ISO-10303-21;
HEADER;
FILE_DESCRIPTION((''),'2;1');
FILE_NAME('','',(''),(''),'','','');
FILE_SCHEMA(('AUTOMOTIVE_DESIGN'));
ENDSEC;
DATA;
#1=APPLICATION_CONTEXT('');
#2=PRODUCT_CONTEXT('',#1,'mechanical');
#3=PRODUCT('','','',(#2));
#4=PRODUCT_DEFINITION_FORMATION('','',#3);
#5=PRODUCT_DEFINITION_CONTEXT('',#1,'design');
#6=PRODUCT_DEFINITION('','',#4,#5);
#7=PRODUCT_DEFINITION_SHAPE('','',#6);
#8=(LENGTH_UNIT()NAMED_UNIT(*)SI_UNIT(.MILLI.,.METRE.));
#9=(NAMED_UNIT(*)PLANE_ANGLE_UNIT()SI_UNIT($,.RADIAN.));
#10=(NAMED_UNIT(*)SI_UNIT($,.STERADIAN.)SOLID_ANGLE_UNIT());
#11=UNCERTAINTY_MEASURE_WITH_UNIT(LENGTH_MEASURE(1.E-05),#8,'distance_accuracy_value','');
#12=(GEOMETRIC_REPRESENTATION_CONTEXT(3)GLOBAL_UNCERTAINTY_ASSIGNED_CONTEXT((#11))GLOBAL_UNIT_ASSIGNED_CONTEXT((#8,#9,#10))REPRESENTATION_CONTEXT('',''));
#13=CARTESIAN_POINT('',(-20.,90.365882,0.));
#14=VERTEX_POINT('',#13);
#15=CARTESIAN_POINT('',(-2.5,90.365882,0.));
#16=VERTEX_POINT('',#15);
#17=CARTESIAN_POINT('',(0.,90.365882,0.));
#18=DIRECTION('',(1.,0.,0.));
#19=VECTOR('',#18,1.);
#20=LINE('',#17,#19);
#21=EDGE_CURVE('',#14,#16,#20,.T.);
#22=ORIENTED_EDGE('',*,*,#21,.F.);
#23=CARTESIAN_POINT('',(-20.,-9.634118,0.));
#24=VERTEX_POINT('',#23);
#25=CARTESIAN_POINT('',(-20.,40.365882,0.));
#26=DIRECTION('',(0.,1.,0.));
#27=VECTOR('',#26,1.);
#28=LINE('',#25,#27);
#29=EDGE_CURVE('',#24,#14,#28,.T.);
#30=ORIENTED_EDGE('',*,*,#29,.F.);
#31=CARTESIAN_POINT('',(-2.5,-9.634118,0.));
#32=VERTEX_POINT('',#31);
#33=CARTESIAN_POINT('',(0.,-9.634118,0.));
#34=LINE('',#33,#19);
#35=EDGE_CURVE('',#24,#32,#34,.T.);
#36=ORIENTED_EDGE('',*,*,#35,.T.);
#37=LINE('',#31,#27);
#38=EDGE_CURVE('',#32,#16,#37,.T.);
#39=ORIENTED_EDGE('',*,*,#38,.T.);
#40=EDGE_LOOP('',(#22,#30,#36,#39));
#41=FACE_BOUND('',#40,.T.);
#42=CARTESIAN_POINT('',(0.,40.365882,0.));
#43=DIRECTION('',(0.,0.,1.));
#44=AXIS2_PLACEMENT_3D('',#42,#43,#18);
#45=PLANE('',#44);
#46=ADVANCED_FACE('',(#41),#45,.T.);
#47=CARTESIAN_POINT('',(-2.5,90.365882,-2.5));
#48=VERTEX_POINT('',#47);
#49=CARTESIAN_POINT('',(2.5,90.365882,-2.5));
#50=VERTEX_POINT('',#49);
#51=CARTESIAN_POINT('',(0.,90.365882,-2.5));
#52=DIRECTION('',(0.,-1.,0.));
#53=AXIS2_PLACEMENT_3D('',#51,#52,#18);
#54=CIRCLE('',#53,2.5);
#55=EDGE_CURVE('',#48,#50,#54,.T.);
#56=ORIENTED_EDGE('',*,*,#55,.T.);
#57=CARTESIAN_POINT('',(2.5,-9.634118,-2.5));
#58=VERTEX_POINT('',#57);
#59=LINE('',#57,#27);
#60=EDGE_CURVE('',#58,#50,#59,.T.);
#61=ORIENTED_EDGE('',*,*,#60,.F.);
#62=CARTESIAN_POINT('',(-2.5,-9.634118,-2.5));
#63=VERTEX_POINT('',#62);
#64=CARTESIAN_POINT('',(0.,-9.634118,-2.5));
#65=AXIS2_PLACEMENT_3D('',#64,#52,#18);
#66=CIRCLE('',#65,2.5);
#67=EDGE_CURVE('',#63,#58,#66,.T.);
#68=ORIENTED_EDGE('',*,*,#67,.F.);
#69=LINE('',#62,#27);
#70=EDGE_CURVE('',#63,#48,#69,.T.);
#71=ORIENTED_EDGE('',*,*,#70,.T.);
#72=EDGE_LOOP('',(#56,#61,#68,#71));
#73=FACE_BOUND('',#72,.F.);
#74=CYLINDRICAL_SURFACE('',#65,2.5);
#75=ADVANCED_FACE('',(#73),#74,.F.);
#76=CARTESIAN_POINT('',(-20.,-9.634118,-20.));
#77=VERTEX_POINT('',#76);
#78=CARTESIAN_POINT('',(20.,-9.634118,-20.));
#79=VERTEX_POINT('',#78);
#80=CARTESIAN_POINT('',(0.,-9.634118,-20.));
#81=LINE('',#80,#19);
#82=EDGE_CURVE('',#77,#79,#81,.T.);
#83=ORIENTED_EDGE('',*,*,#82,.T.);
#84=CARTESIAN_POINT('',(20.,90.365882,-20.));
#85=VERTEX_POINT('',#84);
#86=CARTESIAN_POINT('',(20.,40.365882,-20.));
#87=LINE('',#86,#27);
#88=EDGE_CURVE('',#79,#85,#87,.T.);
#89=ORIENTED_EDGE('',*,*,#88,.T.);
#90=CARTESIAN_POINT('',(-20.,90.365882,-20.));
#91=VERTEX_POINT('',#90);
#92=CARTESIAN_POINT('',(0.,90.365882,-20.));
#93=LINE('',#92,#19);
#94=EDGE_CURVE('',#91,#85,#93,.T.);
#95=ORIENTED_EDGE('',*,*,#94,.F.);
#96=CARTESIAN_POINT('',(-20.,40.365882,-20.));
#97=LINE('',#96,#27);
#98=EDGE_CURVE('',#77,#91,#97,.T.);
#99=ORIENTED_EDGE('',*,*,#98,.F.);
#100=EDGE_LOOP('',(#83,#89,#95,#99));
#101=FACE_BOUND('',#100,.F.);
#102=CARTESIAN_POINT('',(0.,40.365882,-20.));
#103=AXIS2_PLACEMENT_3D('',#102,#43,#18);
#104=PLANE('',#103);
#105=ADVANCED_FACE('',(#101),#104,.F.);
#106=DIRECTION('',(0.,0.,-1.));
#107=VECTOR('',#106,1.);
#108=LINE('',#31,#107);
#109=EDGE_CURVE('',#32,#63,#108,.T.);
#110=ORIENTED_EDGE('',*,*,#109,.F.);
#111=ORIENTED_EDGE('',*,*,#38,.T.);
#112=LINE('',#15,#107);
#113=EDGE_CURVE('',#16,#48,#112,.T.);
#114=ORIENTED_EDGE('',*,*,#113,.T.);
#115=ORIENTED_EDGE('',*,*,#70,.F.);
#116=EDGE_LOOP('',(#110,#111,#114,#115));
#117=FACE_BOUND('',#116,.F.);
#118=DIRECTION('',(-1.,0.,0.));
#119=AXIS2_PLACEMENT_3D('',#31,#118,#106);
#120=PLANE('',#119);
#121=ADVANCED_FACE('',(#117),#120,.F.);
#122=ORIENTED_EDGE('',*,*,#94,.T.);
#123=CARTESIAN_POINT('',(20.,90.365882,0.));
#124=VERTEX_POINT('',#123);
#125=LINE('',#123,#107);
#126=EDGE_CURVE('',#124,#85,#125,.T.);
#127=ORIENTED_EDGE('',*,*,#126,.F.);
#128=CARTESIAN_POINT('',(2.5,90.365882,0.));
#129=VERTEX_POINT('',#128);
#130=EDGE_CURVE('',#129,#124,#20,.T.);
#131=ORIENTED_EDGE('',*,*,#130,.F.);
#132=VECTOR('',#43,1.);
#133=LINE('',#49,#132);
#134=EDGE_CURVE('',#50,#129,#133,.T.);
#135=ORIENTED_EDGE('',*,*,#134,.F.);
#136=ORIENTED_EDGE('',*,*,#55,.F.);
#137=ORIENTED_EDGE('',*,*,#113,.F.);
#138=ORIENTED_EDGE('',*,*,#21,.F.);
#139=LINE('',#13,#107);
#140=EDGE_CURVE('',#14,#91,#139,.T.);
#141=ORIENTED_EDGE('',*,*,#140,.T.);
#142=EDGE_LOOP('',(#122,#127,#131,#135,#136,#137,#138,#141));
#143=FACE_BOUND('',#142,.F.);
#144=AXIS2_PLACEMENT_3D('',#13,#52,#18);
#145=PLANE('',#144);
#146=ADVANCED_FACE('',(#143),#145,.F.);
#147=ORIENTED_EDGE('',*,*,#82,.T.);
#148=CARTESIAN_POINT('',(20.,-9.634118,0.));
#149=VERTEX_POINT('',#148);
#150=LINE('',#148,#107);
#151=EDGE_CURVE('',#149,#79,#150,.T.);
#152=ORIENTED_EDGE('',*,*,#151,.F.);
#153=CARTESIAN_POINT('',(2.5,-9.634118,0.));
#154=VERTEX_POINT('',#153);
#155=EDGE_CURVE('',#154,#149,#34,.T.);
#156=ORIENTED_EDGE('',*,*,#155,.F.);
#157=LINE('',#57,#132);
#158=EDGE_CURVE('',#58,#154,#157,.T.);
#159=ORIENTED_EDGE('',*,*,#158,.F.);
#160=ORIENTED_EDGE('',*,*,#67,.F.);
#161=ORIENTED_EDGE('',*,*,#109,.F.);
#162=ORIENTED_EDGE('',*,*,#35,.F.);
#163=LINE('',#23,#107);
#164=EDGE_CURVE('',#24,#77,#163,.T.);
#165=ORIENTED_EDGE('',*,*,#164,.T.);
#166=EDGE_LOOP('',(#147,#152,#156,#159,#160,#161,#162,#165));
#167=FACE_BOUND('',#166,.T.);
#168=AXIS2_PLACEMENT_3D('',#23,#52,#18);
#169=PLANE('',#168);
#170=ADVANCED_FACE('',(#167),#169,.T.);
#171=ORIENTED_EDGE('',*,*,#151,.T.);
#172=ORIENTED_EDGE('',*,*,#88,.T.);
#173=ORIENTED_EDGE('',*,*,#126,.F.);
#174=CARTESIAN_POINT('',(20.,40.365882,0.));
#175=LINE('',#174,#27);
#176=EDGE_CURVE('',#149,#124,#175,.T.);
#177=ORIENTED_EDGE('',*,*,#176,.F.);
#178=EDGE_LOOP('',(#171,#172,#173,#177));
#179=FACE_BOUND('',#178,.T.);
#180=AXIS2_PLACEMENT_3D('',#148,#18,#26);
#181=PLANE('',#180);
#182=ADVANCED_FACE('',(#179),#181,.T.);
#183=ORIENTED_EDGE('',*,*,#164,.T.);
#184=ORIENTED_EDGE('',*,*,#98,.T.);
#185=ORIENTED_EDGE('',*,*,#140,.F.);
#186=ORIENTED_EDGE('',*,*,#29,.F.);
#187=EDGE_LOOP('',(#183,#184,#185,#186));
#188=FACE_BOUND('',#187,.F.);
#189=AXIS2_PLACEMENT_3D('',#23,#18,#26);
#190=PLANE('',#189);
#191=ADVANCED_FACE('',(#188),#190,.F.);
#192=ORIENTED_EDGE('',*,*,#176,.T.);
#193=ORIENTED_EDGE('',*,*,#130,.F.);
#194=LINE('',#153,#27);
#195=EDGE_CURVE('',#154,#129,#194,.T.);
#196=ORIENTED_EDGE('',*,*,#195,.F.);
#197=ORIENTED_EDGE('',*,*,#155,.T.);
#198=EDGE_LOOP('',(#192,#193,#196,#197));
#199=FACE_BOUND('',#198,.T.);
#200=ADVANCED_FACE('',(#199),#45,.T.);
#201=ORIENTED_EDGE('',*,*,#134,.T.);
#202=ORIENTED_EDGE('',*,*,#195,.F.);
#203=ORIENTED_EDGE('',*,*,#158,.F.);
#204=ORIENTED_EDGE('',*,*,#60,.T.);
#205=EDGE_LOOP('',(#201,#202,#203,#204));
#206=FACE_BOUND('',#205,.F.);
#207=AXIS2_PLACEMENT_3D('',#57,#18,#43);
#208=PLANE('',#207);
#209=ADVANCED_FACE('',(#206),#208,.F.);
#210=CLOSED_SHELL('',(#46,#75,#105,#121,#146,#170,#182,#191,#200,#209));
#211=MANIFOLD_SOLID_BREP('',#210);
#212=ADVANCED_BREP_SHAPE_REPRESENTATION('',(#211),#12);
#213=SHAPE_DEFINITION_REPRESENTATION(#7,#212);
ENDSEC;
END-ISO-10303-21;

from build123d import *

# Parameters (mm, degrees)
F0_W     = 40
F0_H     = 100
F1_DEPTH = 20
F3_DEPTH = 100


with BuildPart() as f1:
    # F0 (on Top) → F1 (new body)
    with BuildSketch(Plane.XY):
        with Locations((0, 40.365882)):
            Rectangle(F0_W, F0_H)
    extrude(amount=-F1_DEPTH)

    # F2 (on face) → F3 (cut, through all)
    with BuildSketch(Plane.XZ.offset(9.634118)):
        with BuildLine():
            ThreePointArc((-2.5, -2.5), (0, -5), (2.5, -2.5))
            ThreePointArc((2.5, -2.5), (0, 0), (-2.5, -2.5))
        make_face()
        with BuildLine():
            ThreePointArc((0, 0), (1.767767, -0.732233), (2.5, -2.5))
            Line((2.5, -2.5), (2.5, 0))
            Line((2.5, 0), (0, 0))
        make_face()
        with BuildLine():
            Line((-2.5, 0), (-2.5, -2.5))
            ThreePointArc((-2.5, -2.5), (-1.767767, -0.732233), (0, 0))
            Line((0, 0), (-2.5, 0))
        make_face()
    extrude(amount=-F3_DEPTH, mode=Mode.SUBTRACT)


solid = f1.part
